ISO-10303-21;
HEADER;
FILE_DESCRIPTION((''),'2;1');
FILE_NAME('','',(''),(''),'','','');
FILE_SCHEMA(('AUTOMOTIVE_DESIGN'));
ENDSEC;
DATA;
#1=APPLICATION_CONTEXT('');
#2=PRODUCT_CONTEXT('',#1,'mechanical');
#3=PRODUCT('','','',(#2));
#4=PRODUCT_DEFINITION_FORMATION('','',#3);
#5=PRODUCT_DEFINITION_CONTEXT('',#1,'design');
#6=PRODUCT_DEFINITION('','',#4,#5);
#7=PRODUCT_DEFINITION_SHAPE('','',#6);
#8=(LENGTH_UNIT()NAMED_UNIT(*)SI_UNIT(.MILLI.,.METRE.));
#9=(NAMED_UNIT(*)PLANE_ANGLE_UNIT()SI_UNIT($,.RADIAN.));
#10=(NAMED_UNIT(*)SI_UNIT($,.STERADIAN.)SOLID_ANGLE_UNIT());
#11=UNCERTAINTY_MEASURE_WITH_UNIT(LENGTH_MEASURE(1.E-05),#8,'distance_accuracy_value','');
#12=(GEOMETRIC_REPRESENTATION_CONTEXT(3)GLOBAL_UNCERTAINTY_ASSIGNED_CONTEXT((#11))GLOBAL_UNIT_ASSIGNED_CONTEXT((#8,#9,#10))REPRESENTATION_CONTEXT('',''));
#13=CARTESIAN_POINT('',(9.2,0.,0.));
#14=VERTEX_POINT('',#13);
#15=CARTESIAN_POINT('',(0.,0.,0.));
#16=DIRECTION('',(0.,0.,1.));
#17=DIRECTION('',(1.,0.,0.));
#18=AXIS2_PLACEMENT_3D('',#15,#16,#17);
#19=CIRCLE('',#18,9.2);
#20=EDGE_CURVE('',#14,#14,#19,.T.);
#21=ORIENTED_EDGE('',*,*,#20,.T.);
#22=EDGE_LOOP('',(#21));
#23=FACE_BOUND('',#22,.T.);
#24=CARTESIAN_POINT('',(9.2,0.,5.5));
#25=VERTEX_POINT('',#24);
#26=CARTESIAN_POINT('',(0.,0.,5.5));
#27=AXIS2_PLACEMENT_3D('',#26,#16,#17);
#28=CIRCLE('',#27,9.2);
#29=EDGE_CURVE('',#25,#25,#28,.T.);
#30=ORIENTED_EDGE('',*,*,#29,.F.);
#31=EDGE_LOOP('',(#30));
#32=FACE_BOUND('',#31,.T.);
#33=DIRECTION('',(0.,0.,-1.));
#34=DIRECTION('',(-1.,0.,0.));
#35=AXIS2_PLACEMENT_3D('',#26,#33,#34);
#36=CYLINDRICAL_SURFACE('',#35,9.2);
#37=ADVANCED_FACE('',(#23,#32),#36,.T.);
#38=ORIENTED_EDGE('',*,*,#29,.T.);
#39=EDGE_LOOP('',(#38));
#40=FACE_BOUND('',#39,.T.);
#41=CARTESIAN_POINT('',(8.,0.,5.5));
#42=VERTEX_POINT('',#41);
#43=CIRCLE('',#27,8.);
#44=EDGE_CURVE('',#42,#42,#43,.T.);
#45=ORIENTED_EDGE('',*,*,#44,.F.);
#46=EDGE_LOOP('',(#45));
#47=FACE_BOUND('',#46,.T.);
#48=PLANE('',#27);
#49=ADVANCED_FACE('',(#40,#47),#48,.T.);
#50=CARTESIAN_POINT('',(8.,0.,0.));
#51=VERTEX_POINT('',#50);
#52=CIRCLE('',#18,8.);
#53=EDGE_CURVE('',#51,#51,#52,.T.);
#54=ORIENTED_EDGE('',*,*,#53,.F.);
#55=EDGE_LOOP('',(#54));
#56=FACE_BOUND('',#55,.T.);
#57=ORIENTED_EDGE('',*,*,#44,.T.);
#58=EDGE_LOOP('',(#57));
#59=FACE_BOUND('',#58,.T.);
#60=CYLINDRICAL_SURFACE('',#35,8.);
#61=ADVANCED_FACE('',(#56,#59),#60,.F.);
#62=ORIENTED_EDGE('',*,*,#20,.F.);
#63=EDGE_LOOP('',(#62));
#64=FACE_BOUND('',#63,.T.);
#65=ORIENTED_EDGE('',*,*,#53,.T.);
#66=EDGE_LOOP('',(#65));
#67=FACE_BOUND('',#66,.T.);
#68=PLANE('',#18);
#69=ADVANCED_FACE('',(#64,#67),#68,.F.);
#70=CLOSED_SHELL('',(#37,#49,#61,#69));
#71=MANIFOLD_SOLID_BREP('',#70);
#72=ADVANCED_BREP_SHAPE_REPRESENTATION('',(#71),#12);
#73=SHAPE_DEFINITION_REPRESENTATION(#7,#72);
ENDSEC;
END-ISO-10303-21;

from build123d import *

# Parameters (mm, degrees)
SKETCH_1_R      = 9.2
SKETCH_1_R_2    = 8
EXTRUDE_1_DEPTH = 5.5


with BuildPart() as part:
    # Эскиз1 → Бобышка-Вытянуть1 (new body)
    with BuildSketch(Plane.XY):
        Circle(SKETCH_1_R)
        Circle(SKETCH_1_R_2, mode=Mode.SUBTRACT)
    extrude(amount=EXTRUDE_1_DEPTH)


solid = part.part
